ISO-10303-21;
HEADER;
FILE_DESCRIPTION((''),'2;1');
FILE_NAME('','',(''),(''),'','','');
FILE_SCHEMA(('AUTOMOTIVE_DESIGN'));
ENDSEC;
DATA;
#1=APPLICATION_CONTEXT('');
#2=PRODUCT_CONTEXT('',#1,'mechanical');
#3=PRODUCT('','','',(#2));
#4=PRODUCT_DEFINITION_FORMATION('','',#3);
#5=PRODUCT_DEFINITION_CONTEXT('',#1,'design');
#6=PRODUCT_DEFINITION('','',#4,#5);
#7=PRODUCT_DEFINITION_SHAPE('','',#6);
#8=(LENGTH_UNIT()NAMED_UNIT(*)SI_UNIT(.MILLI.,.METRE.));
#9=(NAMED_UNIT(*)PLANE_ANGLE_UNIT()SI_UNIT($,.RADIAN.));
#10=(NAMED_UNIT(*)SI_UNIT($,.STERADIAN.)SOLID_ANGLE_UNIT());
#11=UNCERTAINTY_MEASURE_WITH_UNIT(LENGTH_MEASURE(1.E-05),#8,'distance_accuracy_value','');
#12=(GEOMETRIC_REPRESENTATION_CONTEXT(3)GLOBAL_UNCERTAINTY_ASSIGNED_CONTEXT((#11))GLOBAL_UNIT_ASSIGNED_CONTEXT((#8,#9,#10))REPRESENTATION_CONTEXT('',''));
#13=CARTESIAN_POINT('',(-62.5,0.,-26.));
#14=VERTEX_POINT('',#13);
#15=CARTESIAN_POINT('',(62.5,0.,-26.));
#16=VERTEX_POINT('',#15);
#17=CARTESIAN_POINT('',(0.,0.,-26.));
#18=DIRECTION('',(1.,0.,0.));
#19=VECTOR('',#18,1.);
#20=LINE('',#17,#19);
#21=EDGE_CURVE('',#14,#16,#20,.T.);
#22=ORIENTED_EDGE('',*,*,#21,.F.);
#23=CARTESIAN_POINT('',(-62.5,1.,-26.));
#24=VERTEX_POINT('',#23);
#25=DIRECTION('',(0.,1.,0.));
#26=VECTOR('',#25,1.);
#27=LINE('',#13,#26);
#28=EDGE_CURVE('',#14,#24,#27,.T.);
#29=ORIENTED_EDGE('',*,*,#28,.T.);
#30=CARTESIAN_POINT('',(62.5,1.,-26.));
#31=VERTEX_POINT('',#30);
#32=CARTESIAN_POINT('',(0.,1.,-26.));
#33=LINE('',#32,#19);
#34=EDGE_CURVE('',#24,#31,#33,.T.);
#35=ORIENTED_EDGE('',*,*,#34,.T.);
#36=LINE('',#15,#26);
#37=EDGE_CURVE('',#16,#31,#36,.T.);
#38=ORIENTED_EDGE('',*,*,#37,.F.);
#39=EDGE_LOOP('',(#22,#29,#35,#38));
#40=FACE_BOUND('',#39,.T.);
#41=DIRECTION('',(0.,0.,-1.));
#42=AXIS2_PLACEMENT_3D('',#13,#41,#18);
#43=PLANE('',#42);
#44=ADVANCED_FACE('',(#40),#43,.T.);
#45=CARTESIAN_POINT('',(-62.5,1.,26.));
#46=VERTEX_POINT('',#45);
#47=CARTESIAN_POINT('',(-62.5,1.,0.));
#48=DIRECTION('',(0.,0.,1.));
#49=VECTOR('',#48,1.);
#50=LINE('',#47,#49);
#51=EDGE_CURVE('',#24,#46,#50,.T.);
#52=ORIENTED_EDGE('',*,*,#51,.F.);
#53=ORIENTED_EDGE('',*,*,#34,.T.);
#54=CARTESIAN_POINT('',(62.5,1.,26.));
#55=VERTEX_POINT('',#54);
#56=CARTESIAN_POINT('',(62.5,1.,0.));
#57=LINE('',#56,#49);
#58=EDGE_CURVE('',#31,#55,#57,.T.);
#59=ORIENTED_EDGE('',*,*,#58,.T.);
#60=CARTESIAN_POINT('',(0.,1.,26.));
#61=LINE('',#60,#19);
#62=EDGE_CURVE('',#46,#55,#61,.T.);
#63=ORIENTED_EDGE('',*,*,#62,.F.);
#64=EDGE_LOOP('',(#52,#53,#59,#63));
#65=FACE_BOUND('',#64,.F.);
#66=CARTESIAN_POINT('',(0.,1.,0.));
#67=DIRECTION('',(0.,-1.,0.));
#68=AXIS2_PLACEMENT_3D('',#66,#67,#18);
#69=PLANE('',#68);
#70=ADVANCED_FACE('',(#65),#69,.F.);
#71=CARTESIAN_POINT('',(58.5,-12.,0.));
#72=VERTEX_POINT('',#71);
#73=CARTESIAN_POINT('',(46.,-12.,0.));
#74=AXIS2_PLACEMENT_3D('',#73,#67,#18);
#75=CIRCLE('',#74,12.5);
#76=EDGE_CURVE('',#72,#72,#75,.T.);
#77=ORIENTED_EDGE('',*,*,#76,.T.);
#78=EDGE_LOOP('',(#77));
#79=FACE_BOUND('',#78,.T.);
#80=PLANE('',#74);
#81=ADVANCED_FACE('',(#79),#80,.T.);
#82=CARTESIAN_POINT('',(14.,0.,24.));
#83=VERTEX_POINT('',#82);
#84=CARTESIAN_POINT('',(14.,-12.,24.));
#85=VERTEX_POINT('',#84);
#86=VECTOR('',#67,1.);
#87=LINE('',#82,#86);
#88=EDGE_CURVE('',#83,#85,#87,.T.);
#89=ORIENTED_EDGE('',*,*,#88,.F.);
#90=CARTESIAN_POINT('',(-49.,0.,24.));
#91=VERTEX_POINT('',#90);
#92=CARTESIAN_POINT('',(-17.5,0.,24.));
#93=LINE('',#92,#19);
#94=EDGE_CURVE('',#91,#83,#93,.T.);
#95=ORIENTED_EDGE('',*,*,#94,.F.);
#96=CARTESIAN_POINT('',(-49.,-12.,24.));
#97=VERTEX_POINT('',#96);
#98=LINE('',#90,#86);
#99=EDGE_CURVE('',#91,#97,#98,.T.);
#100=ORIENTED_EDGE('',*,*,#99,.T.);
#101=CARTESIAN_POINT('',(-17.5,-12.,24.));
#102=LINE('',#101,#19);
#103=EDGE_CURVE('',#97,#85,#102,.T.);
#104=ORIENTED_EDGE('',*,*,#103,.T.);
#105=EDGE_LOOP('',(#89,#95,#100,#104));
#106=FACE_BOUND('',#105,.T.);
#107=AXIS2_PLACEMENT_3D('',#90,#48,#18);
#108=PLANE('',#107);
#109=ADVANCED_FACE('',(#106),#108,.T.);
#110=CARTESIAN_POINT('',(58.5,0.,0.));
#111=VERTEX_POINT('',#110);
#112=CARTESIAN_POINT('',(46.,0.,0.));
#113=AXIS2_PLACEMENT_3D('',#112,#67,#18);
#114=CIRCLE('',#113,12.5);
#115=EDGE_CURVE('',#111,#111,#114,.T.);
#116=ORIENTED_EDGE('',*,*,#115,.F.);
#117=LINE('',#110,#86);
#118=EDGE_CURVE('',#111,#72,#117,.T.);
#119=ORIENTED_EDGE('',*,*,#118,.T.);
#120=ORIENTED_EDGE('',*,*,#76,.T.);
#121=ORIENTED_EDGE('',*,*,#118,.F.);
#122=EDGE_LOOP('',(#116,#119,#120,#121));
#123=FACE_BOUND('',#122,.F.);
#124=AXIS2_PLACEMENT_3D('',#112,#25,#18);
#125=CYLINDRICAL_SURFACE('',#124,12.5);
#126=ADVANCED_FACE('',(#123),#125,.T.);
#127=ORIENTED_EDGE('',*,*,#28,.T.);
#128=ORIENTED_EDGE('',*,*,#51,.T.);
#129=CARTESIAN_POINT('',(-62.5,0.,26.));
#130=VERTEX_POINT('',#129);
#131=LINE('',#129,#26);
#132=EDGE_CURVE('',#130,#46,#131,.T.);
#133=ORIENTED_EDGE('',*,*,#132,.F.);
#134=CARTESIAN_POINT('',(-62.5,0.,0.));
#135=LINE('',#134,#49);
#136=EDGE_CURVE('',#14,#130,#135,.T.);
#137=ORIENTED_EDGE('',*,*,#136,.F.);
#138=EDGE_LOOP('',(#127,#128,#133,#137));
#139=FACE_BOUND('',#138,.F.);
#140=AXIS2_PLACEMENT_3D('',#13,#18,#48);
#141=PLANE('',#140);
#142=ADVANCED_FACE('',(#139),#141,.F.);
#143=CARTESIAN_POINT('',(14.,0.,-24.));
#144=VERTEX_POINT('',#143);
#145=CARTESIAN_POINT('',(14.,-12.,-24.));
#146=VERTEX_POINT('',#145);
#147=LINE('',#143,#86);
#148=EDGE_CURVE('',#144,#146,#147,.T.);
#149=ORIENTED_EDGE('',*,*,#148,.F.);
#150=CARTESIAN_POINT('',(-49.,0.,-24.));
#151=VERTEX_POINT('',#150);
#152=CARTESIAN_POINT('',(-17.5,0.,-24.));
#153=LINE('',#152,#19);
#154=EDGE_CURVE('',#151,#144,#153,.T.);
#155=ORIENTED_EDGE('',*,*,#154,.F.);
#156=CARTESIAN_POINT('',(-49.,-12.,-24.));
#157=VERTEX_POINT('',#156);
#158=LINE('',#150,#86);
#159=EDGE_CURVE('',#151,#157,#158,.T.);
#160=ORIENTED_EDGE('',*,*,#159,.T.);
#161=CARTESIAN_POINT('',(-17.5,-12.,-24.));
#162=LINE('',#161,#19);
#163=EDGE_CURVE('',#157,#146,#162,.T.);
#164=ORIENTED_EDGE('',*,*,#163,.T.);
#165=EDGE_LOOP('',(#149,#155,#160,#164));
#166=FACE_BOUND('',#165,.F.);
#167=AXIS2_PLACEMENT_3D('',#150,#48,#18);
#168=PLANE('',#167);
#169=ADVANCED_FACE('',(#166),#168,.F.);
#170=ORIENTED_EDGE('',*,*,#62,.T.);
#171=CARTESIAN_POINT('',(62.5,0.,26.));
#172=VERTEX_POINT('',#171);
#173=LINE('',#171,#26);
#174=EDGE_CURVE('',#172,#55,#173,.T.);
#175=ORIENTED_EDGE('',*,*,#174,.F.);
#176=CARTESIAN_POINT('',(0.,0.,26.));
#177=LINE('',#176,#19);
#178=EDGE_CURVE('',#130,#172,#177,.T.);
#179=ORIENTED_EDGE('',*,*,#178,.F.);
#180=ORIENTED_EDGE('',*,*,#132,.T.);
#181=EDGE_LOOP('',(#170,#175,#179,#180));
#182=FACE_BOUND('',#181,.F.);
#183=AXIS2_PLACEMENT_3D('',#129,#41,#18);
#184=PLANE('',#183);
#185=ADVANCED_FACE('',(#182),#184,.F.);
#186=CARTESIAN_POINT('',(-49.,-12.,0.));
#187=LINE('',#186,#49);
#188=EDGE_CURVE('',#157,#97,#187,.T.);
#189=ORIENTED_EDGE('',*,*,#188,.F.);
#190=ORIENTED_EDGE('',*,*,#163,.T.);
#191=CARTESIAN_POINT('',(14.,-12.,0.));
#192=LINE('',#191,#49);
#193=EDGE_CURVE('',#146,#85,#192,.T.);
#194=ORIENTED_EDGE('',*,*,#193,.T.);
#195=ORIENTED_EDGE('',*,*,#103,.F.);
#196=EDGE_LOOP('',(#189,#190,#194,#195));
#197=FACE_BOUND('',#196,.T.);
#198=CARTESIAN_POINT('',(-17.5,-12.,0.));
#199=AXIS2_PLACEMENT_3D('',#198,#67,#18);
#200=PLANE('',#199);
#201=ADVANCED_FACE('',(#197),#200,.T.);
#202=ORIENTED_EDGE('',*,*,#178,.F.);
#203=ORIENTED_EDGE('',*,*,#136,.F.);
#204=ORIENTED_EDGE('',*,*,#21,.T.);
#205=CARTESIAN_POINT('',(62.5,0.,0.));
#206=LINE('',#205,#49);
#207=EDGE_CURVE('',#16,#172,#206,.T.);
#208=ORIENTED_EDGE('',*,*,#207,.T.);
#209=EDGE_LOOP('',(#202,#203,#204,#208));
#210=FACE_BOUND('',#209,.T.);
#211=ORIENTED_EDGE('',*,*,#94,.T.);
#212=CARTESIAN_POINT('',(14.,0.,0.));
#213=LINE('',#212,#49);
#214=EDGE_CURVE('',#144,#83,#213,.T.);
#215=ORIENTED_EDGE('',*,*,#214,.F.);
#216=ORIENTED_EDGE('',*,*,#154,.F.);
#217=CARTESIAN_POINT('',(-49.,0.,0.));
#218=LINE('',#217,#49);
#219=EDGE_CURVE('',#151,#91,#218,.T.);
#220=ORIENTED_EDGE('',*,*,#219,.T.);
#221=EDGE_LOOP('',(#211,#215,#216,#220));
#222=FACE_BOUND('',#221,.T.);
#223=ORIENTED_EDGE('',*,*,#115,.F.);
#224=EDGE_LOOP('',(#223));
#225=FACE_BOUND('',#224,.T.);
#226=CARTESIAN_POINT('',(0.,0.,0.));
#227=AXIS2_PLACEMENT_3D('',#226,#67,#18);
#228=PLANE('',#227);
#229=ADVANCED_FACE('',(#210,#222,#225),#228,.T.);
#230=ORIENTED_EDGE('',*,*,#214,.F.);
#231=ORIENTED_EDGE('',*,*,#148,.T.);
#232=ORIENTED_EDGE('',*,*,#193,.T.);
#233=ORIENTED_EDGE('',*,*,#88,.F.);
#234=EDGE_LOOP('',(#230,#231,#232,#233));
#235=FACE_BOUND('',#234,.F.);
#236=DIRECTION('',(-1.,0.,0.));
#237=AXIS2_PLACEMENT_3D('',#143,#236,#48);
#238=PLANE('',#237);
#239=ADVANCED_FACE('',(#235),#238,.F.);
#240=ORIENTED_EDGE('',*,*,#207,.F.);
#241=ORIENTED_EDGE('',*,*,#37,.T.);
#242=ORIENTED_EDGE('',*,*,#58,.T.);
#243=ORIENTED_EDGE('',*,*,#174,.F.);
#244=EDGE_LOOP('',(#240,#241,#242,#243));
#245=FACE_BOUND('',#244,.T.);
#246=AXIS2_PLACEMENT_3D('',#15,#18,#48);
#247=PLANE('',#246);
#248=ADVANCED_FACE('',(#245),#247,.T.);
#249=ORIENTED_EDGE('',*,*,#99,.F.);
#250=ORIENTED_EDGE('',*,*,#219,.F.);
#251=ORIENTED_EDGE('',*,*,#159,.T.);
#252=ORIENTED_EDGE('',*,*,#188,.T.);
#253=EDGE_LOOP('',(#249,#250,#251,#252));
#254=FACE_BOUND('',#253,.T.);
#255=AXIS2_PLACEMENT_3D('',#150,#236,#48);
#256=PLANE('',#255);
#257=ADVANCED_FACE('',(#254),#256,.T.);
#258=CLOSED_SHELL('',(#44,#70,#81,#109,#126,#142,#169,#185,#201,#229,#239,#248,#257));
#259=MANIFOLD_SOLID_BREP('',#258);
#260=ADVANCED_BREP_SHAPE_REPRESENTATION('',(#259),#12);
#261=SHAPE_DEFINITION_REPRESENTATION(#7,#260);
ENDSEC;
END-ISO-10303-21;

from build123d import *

# Parameters (mm, degrees)
F0_W     = 125
F0_H     = 52
F0_W_2   = 63
F0_H_2   = 48
F0_R     = 12.5
F1_DEPTH = 1
F2_DEPTH = 12


with BuildPart() as f1:
    # F0 (on Front) → F1 (new body)
    with BuildSketch(Plane.XZ):
        Rectangle(F0_W, F0_H)
        with Locations((-17.5, 0)):
            Rectangle(F0_W_2, F0_H_2, mode=Mode.SUBTRACT)
        with Locations((46, 0)):
            Circle(F0_R, mode=Mode.SUBTRACT)
        with Locations((-17.5, 0)):
            Rectangle(F0_W_2, F0_H_2)
        with Locations((46, 0)):
            Circle(F0_R)
    extrude(amount=-F1_DEPTH)

    # F0 (on Front) → F2 (join)
    with BuildSketch(Plane.XZ):
        with Locations((-17.5, 0)):
            Rectangle(F0_W_2, F0_H_2)
        with Locations((46, 0)):
            Circle(F0_R)
    extrude(amount=F2_DEPTH)


solid = f1.part
